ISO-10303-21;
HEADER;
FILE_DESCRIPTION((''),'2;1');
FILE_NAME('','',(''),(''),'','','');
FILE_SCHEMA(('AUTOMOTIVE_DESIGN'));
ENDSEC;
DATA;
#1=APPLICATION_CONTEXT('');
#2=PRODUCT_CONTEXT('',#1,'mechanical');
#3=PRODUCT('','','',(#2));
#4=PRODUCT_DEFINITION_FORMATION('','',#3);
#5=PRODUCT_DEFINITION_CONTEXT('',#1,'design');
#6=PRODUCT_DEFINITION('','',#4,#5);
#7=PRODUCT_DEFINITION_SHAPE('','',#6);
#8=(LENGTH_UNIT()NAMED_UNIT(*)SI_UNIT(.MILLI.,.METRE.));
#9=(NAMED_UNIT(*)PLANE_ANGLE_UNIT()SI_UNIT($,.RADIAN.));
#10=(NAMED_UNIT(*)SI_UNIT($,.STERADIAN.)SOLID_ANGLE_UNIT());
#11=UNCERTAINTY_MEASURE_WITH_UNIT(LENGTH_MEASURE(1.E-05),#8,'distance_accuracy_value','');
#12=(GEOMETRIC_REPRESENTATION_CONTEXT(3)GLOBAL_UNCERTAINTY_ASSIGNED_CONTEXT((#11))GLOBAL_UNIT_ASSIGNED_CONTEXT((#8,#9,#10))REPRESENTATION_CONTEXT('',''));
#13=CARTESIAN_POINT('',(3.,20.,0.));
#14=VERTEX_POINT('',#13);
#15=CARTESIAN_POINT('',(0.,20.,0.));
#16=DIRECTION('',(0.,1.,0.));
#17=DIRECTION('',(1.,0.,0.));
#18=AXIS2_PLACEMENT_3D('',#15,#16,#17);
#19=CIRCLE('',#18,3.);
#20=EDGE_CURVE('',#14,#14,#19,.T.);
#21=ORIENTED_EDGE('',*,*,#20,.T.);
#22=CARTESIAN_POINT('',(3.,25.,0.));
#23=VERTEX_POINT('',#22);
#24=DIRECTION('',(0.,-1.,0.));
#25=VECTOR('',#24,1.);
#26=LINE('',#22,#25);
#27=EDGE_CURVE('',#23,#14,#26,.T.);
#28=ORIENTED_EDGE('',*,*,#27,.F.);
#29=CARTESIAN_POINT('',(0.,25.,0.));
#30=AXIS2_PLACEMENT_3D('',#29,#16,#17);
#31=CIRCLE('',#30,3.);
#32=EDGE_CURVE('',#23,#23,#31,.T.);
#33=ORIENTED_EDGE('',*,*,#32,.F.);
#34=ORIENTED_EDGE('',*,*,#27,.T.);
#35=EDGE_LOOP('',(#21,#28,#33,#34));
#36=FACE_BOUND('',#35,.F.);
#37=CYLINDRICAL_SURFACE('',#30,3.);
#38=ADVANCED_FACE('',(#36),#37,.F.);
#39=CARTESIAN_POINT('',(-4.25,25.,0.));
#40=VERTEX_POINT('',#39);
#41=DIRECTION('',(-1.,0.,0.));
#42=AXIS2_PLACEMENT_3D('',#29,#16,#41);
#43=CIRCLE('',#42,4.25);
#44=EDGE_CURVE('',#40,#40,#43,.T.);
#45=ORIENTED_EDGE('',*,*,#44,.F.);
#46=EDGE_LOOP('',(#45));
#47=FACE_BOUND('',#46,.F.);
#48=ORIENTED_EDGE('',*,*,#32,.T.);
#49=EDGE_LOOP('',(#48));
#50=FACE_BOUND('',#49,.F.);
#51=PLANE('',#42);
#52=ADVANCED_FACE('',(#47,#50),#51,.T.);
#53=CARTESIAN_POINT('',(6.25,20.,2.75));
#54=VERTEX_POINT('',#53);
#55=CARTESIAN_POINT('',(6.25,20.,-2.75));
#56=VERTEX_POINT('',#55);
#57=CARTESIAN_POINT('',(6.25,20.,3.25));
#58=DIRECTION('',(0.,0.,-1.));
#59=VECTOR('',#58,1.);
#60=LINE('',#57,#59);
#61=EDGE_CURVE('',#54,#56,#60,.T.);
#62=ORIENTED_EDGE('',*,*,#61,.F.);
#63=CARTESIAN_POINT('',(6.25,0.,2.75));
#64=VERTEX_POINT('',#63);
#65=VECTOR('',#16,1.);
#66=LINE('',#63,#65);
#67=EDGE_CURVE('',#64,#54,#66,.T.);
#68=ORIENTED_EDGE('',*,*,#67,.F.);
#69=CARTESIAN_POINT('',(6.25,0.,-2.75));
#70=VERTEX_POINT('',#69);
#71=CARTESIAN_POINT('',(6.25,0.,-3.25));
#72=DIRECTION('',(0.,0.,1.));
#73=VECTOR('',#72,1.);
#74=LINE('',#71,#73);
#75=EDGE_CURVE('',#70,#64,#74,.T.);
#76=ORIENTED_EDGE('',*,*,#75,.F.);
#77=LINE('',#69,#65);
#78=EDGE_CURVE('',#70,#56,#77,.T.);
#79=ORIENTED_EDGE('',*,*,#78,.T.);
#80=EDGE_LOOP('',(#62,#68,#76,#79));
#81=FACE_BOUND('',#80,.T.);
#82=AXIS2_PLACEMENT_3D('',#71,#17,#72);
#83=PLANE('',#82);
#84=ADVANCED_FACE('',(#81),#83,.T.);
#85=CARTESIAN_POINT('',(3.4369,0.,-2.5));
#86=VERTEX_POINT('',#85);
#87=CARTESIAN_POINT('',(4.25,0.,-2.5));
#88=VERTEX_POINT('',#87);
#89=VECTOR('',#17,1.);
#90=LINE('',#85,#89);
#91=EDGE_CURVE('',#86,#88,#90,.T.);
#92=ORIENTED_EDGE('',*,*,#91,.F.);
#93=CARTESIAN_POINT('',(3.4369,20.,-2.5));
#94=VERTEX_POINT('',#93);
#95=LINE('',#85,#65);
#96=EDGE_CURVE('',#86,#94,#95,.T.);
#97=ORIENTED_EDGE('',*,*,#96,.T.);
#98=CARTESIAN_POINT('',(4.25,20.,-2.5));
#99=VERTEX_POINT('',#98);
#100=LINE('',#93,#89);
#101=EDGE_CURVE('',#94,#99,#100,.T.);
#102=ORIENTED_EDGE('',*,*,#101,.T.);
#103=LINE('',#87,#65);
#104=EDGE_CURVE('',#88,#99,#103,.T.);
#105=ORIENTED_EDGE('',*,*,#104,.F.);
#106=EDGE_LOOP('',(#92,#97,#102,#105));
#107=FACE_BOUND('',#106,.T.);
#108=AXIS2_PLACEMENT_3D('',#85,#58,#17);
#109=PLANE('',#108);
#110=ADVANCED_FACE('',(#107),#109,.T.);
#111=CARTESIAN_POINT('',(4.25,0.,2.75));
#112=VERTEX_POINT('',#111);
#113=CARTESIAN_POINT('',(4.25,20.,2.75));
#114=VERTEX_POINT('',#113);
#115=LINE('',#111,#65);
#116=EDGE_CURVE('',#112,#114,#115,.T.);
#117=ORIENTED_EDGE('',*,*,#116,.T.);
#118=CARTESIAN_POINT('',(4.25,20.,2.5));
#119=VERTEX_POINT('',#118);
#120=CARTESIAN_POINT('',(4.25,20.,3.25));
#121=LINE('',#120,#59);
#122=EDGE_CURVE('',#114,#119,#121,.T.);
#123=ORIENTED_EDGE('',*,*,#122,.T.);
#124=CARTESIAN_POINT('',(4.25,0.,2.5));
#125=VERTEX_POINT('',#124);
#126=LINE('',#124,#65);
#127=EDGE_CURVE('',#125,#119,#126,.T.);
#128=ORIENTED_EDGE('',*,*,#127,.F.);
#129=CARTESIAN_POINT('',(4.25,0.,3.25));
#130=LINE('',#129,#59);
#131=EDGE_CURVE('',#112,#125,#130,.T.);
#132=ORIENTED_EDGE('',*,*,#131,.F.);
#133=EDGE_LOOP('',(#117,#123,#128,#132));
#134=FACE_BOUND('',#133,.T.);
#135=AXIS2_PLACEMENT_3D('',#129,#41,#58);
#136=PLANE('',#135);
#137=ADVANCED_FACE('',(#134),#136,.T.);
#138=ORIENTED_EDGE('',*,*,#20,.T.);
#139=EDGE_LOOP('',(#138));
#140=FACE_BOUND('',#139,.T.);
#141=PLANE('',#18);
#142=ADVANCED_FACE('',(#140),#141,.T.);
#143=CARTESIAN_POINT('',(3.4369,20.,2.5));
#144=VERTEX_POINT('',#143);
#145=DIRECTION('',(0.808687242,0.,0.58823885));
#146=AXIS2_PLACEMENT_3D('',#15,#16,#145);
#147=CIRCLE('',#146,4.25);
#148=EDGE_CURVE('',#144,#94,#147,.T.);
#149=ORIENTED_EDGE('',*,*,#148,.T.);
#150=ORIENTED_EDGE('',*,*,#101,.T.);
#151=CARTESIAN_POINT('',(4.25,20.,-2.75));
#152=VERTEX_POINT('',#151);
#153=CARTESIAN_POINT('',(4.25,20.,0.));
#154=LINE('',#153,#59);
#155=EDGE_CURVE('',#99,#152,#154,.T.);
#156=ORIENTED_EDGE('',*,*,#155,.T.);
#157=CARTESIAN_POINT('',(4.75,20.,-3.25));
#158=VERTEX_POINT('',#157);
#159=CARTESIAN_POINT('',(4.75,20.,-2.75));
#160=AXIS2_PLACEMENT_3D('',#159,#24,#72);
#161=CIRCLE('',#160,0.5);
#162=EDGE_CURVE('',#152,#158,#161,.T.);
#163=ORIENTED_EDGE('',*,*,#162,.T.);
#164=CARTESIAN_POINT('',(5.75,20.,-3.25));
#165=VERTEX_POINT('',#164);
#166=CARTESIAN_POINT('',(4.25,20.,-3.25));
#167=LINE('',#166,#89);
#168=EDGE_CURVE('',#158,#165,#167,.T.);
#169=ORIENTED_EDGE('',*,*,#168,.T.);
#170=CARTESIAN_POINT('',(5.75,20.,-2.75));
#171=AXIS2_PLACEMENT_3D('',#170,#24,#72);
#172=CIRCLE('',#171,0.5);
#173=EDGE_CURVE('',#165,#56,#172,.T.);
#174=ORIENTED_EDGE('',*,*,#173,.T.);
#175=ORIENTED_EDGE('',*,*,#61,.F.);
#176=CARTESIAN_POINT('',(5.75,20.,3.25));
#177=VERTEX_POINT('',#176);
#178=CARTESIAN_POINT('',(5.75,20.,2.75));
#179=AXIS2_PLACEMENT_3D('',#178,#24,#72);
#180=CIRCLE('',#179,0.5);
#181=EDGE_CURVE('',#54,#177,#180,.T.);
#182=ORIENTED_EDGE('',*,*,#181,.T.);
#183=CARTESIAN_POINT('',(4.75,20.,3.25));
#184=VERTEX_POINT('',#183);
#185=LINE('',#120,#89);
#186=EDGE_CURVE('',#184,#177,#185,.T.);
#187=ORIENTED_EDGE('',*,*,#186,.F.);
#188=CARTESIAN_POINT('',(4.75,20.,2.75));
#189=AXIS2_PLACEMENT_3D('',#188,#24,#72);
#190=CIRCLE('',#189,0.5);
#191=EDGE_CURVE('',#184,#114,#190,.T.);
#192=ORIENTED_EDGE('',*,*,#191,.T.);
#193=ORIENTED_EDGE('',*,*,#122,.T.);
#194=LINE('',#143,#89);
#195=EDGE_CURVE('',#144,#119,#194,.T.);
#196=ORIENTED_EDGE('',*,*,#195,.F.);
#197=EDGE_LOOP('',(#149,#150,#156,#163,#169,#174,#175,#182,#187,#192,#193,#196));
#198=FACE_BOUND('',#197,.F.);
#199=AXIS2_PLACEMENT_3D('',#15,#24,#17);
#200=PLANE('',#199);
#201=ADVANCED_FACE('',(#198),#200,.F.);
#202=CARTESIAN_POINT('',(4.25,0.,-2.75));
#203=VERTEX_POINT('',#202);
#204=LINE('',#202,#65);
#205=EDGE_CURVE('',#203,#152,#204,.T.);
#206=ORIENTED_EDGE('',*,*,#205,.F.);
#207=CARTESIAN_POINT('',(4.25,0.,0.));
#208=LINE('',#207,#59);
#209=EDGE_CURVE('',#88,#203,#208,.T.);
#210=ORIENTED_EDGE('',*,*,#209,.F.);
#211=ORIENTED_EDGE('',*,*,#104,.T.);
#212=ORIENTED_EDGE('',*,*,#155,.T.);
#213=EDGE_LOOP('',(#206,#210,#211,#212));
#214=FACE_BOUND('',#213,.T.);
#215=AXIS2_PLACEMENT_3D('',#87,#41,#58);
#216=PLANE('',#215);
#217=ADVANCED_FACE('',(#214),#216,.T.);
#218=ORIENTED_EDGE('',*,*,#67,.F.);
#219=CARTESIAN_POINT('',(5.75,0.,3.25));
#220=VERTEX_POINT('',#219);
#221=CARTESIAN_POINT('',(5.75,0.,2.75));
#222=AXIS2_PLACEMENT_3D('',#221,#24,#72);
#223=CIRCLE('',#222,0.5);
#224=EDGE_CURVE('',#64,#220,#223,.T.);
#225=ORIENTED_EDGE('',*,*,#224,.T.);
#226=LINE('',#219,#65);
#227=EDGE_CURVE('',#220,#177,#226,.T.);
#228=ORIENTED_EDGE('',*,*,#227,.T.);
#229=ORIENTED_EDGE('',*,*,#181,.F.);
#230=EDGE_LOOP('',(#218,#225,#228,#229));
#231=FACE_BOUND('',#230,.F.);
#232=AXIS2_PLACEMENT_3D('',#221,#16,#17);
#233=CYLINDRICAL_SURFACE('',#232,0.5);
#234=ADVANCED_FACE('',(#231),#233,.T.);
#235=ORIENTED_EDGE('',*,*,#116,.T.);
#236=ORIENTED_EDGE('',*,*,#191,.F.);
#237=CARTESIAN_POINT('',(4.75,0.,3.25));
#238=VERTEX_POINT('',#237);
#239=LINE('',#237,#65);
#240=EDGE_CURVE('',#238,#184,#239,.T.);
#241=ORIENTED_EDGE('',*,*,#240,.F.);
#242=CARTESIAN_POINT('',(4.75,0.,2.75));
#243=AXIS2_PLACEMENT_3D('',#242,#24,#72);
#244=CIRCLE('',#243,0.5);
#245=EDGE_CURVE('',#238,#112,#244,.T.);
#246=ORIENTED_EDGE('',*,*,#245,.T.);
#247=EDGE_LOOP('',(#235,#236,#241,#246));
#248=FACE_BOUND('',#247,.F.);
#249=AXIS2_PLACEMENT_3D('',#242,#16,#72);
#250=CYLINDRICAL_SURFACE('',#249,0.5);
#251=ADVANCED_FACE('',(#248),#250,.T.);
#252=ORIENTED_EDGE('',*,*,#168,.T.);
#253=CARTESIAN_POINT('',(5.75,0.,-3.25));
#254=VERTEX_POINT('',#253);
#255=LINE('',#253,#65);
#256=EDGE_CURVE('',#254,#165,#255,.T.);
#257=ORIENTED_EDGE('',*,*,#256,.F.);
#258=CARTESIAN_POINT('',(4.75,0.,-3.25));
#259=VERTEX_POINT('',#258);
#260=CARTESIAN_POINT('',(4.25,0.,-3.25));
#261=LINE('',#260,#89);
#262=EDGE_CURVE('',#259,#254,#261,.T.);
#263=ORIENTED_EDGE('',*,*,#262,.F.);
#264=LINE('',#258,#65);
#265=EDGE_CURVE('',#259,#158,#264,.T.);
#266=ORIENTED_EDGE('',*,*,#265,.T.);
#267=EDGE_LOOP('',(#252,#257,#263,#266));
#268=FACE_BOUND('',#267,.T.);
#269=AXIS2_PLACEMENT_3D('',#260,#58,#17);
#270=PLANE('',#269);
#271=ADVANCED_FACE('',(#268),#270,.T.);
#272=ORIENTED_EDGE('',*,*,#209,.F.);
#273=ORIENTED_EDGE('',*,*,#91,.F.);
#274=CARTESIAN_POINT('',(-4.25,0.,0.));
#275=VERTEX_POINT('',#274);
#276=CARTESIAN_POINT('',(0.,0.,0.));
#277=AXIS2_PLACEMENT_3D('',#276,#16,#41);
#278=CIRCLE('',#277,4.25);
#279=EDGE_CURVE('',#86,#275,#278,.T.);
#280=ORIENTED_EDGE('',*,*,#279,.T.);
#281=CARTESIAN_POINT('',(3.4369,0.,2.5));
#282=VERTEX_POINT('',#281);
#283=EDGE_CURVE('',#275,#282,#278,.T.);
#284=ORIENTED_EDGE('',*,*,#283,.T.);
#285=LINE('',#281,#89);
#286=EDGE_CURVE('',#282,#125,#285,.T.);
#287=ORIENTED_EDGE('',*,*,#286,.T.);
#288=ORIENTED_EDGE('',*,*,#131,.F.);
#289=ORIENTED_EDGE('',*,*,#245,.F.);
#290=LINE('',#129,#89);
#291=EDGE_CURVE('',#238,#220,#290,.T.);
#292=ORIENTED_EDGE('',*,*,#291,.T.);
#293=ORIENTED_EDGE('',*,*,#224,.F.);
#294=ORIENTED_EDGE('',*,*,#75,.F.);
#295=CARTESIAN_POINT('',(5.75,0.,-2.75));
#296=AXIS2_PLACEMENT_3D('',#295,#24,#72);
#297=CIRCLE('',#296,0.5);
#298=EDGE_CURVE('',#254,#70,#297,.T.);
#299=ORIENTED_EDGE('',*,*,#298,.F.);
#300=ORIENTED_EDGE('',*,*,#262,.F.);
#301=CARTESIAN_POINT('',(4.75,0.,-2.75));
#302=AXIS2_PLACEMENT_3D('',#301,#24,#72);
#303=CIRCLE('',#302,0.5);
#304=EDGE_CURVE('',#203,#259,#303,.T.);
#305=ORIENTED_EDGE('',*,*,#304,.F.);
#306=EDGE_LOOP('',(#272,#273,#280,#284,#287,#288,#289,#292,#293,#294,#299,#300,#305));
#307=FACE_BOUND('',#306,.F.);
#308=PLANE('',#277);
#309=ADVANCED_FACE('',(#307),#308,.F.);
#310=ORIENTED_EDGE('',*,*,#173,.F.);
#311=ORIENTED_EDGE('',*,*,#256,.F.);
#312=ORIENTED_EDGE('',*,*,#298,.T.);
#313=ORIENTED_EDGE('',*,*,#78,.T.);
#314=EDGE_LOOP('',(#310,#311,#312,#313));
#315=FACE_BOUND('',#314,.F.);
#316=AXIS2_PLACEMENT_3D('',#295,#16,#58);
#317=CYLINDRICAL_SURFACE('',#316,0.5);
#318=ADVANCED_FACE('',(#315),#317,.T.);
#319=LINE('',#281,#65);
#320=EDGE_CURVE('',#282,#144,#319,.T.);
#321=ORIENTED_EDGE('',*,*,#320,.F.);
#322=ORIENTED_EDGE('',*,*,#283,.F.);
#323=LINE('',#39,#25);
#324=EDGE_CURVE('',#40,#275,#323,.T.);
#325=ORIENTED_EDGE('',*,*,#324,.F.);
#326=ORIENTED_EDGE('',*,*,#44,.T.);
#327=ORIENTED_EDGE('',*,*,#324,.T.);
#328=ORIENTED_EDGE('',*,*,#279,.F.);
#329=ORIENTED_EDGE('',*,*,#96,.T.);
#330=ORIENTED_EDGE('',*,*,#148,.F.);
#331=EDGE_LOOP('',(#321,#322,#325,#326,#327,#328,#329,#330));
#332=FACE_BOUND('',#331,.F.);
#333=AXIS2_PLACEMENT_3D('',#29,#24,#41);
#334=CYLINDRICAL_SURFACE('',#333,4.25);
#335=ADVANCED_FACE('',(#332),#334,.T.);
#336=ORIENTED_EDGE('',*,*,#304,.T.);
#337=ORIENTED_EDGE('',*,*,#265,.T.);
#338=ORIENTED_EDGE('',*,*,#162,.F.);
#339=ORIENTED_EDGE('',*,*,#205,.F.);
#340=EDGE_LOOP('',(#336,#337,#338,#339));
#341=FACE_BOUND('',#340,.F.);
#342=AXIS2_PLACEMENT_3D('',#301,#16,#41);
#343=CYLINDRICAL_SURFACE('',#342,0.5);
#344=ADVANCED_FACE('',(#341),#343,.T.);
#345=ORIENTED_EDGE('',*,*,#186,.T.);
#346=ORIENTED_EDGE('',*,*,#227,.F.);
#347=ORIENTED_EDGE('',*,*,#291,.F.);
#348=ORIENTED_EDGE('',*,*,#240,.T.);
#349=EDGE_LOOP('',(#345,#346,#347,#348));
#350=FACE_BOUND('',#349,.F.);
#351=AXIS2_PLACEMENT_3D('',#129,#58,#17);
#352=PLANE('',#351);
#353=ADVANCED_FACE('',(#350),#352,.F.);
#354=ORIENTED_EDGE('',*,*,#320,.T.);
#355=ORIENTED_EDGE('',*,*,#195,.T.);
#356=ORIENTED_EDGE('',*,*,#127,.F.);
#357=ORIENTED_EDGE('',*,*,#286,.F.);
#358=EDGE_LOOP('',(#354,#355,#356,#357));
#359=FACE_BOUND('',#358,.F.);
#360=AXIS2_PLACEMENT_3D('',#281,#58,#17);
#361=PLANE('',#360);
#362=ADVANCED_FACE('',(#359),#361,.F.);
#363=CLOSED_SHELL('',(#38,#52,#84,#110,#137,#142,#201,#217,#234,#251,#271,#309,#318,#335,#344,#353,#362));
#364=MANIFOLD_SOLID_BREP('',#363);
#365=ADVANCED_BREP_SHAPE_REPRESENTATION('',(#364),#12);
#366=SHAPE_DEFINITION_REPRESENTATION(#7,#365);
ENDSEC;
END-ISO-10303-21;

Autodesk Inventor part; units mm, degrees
ref_plane "YZ Plane" through (0, 0, 0) normal (1, 0, 0) x (0, 1, 0)
ref_plane "XZ Plane" through (0, 0, 0) normal (0, 1, 0) x (-1, 0, 0)
ref_plane "XY Plane" through (0, 0, 0) normal (0, 0, 1) x (1, 0, 0)
sketch "スケッチ1" plane through (0, 0, 0) normal (0, 0, 1) x (1, 0, 0)
  line L0 (0, 25) -> (-4.25, 25)
  line L1 (-4.25, 25) -> (-4.25, 0)
  line L2 (-4.25, 0) -> (0, 0)
  line L3 (0, 0) -> (0, 25)
  line L4 (0, -5) -> (0, 30) projected
  line L5 (-5.1, 0) -> (0.85, 0) projected
  dimension "d2" = 4.25
  dimension "d3" = 25
revolve "回転1" add sketch "スケッチ1" angle 360 about axis through (0, -10, 0) along (0, 1, 0)
sketch "スケッチ3" plane through (0, 25, 0) normal (0, 1, 0) x (1, 0, 0)
  circle A0 centre (0, 0) radius 3
  dimension "d5" = 6
extrude "押し出し1" cut sketch "スケッチ3" against normal blind 5
sketch "スケッチ4" plane through (0, 0, 0) normal (0, -1, 0) x (1, 0, 0)
  circle A0 centre (0, 0) radius 4.25 projected
  line L0 (4.25, 3.25) -> (6.25, 3.25)
  line L1 (4.25, -3.25) -> (6.25, -3.25)
  line L2 (6.25, -3.25) -> (6.25, 3.25)
  line L3 (3.4369, 2.5) -> (4.25, 2.5)
  line L4 (-6.15, 0) -> (7.15, 0) projected
  line L5 (4.25, 3.25) -> (4.25, 2.5)
  line L6 (4.25, 0) -> (4.25, -3.25)
  line L7 (3.4369, -2.5) -> (4.25, -2.5)
  dimension "d9" = 6.5
  dimension "d10" = 2
  dimension "d11" = 2.5
  dimension "d12" = 5
extrude "押し出し2" add sketch "スケッチ4" against normal blind 20 contours L6 L7 A0 | A0 L3 L5 L0 L2 L4 | L4 L2 L1 L6
fillet "フィレット1" radius 0.5 4 edges at (6.25, 10, 3.25) (6.25, 10, -3.25) (4.25, 10, -3.25) (4.25, 10, 3.25)
properties part number "flat_cover_6mm"
